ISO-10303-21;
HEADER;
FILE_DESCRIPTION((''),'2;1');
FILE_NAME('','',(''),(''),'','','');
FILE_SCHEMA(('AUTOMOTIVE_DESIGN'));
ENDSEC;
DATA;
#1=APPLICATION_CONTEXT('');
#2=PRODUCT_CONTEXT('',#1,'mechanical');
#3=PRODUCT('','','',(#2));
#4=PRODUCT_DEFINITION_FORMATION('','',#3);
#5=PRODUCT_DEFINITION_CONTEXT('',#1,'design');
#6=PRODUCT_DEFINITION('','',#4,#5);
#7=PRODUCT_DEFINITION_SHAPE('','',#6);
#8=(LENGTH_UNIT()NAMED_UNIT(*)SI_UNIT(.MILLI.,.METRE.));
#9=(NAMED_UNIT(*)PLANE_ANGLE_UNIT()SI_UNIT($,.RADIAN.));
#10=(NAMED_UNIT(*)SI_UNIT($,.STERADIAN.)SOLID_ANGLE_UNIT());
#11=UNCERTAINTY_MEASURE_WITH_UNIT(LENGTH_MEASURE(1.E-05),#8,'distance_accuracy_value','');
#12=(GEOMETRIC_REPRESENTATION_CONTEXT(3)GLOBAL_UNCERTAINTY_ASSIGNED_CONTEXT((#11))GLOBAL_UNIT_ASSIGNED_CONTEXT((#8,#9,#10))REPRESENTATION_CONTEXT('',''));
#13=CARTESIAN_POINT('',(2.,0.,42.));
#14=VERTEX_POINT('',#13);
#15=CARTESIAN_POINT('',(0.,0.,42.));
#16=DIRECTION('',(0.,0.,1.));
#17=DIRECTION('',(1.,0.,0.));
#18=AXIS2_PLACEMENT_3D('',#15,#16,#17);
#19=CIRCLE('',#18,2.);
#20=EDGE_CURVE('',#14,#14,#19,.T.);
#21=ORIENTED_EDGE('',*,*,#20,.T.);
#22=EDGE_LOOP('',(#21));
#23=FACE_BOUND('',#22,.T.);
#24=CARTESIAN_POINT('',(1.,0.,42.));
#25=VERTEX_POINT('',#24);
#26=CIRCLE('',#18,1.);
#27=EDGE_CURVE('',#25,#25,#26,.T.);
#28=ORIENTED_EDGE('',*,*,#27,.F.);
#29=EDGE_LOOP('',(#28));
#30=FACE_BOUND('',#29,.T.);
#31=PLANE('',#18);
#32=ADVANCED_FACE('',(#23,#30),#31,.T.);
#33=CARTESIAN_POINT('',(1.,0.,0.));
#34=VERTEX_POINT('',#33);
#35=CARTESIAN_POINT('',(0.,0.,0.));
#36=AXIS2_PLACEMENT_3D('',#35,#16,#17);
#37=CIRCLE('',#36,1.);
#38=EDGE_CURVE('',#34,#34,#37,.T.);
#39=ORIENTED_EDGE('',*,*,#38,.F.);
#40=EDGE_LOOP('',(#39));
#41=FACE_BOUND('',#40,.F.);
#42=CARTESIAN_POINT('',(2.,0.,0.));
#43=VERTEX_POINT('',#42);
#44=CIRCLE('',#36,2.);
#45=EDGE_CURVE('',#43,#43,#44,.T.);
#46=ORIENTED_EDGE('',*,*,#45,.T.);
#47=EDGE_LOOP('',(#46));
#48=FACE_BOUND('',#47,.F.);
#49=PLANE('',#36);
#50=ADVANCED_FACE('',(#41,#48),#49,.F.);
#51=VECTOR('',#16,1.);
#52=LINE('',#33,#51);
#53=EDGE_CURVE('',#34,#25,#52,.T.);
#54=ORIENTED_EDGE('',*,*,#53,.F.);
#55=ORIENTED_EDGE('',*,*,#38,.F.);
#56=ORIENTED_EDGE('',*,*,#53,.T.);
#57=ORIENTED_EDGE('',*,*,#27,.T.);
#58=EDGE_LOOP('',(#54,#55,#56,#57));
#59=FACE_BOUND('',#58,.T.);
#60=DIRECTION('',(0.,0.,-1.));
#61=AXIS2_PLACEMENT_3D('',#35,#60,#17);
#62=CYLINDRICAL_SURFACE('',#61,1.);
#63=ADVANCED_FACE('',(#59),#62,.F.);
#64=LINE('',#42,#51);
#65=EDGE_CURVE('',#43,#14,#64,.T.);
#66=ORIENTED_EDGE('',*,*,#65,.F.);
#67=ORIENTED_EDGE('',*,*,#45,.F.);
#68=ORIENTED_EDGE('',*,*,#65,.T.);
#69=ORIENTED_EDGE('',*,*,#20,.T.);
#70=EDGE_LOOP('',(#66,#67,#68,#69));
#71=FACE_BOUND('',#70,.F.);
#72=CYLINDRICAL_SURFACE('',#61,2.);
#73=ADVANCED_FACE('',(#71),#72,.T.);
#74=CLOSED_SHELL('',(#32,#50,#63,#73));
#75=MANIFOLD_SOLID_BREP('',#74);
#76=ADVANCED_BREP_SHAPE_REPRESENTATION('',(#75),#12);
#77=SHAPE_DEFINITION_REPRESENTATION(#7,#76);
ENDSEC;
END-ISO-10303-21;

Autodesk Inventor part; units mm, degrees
ref_plane "YZ Plane" through (0, 0, 0) normal (1, 0, 0) x (0, 1, 0)
ref_plane "XZ Plane" through (0, 0, 0) normal (0, 1, 0) x (-1, 0, 0)
ref_plane "XY Plane" through (0, 0, 0) normal (0, 0, 1) x (1, 0, 0)
sketch "Sketch1" plane through (0, 0, 0) normal (0, 0, 1) x (1, 0, 0)
  circle A0 centre (0, 0) radius 1
  circle A1 centre (0, 0) radius 2
  dimension "d0" = 2
  dimension "d2" = 4
extrude "Extrusion1" add sketch "Sketch1" along normal blind 42
properties part number "exTeflonTube"
